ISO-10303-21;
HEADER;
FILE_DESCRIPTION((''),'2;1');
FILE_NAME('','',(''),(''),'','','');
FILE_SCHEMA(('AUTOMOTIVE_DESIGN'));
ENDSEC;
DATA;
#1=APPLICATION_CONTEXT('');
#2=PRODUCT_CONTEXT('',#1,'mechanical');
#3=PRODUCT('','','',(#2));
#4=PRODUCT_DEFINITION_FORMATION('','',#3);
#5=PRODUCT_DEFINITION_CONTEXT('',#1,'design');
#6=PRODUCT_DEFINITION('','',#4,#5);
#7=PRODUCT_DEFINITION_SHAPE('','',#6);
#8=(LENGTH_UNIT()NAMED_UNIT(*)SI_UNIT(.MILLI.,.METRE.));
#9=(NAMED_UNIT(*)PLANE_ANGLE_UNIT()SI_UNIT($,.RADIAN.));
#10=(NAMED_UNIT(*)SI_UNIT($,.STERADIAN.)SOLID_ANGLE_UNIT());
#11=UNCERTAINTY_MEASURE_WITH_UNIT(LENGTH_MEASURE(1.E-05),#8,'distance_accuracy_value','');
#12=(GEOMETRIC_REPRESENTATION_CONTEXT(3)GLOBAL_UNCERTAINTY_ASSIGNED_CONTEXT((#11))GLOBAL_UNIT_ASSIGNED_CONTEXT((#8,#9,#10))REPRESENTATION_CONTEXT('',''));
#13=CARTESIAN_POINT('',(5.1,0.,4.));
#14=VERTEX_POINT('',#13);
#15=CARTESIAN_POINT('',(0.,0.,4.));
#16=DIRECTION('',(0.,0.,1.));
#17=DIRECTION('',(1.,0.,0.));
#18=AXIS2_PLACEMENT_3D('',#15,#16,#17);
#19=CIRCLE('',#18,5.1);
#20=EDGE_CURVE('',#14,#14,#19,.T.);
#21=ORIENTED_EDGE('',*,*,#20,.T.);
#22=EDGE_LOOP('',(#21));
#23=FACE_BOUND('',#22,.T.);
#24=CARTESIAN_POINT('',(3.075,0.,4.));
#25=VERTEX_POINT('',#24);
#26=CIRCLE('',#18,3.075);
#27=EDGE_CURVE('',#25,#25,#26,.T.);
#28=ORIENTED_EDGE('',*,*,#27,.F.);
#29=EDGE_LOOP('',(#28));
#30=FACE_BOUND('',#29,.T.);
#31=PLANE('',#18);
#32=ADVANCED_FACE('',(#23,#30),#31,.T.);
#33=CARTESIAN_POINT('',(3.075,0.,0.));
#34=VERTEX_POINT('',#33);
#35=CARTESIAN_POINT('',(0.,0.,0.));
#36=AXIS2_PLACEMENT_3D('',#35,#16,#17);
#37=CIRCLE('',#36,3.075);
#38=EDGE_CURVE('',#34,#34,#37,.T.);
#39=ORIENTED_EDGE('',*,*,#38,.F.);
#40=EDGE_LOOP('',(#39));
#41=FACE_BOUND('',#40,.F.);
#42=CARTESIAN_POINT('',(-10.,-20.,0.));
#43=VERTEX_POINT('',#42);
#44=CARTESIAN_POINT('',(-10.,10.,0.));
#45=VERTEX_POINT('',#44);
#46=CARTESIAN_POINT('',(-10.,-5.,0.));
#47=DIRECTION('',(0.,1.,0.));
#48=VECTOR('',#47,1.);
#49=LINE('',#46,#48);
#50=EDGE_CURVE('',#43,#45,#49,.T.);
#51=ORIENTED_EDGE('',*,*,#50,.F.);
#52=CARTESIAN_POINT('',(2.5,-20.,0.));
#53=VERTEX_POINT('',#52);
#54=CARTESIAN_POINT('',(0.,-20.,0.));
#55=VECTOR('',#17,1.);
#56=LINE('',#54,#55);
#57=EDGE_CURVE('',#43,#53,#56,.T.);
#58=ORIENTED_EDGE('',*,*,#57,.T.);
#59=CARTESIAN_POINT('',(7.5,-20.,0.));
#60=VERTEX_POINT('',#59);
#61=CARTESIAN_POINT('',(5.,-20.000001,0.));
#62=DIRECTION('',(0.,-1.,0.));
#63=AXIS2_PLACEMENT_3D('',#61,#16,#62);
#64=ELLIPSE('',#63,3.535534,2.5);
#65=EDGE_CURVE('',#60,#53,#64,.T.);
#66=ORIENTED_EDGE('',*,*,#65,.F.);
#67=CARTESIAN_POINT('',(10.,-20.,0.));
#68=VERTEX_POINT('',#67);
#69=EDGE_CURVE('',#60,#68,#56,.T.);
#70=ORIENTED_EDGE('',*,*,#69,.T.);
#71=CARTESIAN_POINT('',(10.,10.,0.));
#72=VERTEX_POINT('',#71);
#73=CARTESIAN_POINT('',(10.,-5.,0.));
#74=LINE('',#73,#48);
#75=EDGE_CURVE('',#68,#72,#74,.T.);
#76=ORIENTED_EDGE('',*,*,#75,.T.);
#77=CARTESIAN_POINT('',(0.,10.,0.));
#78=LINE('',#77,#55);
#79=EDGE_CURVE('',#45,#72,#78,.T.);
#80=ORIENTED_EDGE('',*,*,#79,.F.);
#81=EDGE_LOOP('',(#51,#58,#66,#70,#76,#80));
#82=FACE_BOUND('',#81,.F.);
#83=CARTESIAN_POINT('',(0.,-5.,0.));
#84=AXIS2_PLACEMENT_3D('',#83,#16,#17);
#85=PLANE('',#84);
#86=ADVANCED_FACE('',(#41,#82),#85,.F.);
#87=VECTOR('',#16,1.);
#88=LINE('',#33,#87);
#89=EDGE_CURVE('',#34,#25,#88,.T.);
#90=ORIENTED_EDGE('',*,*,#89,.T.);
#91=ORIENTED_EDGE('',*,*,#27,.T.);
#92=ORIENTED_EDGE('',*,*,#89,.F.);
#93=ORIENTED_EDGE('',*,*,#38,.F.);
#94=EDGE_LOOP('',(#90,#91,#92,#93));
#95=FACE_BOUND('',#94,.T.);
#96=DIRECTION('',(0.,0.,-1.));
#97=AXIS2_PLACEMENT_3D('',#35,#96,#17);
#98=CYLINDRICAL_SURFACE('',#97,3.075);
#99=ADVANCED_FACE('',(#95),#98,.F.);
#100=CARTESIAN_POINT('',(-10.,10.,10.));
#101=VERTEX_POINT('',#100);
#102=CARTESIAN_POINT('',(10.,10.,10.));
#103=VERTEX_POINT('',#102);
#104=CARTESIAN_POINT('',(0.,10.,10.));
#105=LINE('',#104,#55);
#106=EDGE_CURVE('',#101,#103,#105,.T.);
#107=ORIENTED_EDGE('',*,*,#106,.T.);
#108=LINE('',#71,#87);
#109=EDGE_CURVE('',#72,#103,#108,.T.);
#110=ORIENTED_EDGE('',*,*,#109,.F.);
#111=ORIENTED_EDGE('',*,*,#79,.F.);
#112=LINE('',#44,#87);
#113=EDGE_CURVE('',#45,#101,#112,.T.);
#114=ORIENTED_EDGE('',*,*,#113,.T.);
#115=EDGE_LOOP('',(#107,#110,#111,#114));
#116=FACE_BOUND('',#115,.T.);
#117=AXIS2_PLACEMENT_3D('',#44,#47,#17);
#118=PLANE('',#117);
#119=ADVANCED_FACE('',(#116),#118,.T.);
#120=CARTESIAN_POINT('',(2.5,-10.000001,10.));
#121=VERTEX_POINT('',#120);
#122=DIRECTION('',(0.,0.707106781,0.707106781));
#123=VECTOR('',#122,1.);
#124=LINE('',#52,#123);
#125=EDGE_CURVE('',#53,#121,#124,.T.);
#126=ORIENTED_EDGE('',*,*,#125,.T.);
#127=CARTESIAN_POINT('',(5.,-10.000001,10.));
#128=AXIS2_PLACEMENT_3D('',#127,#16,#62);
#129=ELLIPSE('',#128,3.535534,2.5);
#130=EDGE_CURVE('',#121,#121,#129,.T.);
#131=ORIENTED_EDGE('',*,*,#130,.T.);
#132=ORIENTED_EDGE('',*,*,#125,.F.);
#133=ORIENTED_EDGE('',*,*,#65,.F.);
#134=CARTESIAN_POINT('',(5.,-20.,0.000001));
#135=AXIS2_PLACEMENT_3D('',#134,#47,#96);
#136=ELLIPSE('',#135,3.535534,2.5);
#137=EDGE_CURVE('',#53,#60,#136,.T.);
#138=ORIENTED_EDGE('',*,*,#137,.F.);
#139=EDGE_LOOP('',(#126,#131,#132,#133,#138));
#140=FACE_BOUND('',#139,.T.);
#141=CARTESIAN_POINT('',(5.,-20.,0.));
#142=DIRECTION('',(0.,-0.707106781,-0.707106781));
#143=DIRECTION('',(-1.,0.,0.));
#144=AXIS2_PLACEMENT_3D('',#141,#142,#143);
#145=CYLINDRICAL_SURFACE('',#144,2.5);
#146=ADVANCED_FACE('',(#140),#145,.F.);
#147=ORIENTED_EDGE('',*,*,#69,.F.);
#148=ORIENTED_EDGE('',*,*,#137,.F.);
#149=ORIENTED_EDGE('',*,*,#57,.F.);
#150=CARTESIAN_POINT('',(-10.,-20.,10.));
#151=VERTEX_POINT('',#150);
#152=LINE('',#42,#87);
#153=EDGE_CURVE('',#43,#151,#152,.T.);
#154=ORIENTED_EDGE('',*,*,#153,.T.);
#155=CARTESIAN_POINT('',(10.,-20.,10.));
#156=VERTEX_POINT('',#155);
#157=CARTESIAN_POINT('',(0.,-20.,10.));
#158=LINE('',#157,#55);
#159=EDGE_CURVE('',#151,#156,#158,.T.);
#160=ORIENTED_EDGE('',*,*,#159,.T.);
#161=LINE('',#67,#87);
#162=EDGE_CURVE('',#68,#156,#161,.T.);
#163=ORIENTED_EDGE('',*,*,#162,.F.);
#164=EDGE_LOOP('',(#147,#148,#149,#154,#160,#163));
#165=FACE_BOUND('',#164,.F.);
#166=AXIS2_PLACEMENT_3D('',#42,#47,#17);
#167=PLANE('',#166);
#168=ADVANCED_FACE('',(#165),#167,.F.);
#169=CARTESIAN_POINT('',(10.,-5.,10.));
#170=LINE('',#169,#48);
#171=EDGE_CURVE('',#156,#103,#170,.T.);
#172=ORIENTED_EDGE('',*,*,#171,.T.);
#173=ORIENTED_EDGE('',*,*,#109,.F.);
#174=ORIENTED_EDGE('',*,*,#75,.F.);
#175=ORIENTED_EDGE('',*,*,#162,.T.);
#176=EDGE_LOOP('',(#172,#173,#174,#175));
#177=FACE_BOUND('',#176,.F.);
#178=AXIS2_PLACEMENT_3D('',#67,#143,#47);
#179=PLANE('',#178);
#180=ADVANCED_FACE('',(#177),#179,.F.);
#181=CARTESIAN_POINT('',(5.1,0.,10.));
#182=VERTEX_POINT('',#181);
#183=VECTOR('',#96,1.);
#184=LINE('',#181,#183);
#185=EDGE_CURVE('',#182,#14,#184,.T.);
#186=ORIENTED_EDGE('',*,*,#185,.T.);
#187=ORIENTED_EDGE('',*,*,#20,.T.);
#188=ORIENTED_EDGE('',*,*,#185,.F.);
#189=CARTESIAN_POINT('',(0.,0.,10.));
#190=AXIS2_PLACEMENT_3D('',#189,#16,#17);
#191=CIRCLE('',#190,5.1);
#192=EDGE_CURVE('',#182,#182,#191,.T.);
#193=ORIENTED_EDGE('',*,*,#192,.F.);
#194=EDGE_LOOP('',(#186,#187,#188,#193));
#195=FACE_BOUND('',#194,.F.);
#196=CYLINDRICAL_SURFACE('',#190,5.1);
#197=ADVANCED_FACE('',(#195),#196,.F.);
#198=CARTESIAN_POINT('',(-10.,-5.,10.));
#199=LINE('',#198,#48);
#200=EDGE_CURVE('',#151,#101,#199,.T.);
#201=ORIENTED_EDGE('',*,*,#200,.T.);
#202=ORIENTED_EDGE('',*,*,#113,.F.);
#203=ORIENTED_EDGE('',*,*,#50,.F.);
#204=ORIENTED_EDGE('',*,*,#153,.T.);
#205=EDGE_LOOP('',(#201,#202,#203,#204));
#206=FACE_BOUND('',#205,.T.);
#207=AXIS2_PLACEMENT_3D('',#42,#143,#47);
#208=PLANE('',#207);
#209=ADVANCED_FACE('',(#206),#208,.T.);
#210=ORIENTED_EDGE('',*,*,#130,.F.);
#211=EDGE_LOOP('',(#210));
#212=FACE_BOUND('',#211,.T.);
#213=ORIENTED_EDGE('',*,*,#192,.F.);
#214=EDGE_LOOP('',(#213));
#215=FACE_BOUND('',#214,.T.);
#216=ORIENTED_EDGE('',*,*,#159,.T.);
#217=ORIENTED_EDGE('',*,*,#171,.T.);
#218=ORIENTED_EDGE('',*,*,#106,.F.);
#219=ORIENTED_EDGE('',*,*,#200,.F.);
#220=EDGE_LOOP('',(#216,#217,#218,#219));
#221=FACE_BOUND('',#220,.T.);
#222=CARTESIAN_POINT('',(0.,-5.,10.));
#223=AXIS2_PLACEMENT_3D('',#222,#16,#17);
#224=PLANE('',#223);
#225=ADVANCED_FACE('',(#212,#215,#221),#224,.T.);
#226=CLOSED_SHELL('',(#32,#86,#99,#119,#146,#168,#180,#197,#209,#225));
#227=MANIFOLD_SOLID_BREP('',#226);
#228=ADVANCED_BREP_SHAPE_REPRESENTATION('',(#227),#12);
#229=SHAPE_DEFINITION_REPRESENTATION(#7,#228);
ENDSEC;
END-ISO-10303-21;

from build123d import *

# Parameters (mm, degrees)
F0_W     = 20
F0_H     = 30
F0_R     = 3.075
F1_DEPTH = 10
F2_R     = 5.1
F2_R_2   = 3.075
F3_DEPTH = 6
F5_R     = 2.5
F6_DEPTH = 25


with BuildPart() as f1:
    # F0 (on Top) → F1 (new body)
    with BuildSketch(Plane.XY):
        with Locations((0, -5)):
            Rectangle(F0_W, F0_H)
        Circle(F0_R, mode=Mode.SUBTRACT)
    extrude(amount=F1_DEPTH)

    # F2 (on face) → F3 (cut)
    with BuildSketch(Plane.XY.offset(10)):
        Circle(F2_R)
        Circle(F2_R_2, mode=Mode.SUBTRACT)
    extrude(amount=-F3_DEPTH, mode=Mode.SUBTRACT)

    # F5 (on face) → F6 (cut)
    with BuildSketch(Plane(origin=(0, -10, -10), x_dir=(-1, 0, 0), z_dir=(0, 0.707107, 0.707107))):
        with Locations((-5, 14.142136)):
            Circle(F5_R)
    extrude(amount=F6_DEPTH, mode=Mode.SUBTRACT)


solid = f1.part
